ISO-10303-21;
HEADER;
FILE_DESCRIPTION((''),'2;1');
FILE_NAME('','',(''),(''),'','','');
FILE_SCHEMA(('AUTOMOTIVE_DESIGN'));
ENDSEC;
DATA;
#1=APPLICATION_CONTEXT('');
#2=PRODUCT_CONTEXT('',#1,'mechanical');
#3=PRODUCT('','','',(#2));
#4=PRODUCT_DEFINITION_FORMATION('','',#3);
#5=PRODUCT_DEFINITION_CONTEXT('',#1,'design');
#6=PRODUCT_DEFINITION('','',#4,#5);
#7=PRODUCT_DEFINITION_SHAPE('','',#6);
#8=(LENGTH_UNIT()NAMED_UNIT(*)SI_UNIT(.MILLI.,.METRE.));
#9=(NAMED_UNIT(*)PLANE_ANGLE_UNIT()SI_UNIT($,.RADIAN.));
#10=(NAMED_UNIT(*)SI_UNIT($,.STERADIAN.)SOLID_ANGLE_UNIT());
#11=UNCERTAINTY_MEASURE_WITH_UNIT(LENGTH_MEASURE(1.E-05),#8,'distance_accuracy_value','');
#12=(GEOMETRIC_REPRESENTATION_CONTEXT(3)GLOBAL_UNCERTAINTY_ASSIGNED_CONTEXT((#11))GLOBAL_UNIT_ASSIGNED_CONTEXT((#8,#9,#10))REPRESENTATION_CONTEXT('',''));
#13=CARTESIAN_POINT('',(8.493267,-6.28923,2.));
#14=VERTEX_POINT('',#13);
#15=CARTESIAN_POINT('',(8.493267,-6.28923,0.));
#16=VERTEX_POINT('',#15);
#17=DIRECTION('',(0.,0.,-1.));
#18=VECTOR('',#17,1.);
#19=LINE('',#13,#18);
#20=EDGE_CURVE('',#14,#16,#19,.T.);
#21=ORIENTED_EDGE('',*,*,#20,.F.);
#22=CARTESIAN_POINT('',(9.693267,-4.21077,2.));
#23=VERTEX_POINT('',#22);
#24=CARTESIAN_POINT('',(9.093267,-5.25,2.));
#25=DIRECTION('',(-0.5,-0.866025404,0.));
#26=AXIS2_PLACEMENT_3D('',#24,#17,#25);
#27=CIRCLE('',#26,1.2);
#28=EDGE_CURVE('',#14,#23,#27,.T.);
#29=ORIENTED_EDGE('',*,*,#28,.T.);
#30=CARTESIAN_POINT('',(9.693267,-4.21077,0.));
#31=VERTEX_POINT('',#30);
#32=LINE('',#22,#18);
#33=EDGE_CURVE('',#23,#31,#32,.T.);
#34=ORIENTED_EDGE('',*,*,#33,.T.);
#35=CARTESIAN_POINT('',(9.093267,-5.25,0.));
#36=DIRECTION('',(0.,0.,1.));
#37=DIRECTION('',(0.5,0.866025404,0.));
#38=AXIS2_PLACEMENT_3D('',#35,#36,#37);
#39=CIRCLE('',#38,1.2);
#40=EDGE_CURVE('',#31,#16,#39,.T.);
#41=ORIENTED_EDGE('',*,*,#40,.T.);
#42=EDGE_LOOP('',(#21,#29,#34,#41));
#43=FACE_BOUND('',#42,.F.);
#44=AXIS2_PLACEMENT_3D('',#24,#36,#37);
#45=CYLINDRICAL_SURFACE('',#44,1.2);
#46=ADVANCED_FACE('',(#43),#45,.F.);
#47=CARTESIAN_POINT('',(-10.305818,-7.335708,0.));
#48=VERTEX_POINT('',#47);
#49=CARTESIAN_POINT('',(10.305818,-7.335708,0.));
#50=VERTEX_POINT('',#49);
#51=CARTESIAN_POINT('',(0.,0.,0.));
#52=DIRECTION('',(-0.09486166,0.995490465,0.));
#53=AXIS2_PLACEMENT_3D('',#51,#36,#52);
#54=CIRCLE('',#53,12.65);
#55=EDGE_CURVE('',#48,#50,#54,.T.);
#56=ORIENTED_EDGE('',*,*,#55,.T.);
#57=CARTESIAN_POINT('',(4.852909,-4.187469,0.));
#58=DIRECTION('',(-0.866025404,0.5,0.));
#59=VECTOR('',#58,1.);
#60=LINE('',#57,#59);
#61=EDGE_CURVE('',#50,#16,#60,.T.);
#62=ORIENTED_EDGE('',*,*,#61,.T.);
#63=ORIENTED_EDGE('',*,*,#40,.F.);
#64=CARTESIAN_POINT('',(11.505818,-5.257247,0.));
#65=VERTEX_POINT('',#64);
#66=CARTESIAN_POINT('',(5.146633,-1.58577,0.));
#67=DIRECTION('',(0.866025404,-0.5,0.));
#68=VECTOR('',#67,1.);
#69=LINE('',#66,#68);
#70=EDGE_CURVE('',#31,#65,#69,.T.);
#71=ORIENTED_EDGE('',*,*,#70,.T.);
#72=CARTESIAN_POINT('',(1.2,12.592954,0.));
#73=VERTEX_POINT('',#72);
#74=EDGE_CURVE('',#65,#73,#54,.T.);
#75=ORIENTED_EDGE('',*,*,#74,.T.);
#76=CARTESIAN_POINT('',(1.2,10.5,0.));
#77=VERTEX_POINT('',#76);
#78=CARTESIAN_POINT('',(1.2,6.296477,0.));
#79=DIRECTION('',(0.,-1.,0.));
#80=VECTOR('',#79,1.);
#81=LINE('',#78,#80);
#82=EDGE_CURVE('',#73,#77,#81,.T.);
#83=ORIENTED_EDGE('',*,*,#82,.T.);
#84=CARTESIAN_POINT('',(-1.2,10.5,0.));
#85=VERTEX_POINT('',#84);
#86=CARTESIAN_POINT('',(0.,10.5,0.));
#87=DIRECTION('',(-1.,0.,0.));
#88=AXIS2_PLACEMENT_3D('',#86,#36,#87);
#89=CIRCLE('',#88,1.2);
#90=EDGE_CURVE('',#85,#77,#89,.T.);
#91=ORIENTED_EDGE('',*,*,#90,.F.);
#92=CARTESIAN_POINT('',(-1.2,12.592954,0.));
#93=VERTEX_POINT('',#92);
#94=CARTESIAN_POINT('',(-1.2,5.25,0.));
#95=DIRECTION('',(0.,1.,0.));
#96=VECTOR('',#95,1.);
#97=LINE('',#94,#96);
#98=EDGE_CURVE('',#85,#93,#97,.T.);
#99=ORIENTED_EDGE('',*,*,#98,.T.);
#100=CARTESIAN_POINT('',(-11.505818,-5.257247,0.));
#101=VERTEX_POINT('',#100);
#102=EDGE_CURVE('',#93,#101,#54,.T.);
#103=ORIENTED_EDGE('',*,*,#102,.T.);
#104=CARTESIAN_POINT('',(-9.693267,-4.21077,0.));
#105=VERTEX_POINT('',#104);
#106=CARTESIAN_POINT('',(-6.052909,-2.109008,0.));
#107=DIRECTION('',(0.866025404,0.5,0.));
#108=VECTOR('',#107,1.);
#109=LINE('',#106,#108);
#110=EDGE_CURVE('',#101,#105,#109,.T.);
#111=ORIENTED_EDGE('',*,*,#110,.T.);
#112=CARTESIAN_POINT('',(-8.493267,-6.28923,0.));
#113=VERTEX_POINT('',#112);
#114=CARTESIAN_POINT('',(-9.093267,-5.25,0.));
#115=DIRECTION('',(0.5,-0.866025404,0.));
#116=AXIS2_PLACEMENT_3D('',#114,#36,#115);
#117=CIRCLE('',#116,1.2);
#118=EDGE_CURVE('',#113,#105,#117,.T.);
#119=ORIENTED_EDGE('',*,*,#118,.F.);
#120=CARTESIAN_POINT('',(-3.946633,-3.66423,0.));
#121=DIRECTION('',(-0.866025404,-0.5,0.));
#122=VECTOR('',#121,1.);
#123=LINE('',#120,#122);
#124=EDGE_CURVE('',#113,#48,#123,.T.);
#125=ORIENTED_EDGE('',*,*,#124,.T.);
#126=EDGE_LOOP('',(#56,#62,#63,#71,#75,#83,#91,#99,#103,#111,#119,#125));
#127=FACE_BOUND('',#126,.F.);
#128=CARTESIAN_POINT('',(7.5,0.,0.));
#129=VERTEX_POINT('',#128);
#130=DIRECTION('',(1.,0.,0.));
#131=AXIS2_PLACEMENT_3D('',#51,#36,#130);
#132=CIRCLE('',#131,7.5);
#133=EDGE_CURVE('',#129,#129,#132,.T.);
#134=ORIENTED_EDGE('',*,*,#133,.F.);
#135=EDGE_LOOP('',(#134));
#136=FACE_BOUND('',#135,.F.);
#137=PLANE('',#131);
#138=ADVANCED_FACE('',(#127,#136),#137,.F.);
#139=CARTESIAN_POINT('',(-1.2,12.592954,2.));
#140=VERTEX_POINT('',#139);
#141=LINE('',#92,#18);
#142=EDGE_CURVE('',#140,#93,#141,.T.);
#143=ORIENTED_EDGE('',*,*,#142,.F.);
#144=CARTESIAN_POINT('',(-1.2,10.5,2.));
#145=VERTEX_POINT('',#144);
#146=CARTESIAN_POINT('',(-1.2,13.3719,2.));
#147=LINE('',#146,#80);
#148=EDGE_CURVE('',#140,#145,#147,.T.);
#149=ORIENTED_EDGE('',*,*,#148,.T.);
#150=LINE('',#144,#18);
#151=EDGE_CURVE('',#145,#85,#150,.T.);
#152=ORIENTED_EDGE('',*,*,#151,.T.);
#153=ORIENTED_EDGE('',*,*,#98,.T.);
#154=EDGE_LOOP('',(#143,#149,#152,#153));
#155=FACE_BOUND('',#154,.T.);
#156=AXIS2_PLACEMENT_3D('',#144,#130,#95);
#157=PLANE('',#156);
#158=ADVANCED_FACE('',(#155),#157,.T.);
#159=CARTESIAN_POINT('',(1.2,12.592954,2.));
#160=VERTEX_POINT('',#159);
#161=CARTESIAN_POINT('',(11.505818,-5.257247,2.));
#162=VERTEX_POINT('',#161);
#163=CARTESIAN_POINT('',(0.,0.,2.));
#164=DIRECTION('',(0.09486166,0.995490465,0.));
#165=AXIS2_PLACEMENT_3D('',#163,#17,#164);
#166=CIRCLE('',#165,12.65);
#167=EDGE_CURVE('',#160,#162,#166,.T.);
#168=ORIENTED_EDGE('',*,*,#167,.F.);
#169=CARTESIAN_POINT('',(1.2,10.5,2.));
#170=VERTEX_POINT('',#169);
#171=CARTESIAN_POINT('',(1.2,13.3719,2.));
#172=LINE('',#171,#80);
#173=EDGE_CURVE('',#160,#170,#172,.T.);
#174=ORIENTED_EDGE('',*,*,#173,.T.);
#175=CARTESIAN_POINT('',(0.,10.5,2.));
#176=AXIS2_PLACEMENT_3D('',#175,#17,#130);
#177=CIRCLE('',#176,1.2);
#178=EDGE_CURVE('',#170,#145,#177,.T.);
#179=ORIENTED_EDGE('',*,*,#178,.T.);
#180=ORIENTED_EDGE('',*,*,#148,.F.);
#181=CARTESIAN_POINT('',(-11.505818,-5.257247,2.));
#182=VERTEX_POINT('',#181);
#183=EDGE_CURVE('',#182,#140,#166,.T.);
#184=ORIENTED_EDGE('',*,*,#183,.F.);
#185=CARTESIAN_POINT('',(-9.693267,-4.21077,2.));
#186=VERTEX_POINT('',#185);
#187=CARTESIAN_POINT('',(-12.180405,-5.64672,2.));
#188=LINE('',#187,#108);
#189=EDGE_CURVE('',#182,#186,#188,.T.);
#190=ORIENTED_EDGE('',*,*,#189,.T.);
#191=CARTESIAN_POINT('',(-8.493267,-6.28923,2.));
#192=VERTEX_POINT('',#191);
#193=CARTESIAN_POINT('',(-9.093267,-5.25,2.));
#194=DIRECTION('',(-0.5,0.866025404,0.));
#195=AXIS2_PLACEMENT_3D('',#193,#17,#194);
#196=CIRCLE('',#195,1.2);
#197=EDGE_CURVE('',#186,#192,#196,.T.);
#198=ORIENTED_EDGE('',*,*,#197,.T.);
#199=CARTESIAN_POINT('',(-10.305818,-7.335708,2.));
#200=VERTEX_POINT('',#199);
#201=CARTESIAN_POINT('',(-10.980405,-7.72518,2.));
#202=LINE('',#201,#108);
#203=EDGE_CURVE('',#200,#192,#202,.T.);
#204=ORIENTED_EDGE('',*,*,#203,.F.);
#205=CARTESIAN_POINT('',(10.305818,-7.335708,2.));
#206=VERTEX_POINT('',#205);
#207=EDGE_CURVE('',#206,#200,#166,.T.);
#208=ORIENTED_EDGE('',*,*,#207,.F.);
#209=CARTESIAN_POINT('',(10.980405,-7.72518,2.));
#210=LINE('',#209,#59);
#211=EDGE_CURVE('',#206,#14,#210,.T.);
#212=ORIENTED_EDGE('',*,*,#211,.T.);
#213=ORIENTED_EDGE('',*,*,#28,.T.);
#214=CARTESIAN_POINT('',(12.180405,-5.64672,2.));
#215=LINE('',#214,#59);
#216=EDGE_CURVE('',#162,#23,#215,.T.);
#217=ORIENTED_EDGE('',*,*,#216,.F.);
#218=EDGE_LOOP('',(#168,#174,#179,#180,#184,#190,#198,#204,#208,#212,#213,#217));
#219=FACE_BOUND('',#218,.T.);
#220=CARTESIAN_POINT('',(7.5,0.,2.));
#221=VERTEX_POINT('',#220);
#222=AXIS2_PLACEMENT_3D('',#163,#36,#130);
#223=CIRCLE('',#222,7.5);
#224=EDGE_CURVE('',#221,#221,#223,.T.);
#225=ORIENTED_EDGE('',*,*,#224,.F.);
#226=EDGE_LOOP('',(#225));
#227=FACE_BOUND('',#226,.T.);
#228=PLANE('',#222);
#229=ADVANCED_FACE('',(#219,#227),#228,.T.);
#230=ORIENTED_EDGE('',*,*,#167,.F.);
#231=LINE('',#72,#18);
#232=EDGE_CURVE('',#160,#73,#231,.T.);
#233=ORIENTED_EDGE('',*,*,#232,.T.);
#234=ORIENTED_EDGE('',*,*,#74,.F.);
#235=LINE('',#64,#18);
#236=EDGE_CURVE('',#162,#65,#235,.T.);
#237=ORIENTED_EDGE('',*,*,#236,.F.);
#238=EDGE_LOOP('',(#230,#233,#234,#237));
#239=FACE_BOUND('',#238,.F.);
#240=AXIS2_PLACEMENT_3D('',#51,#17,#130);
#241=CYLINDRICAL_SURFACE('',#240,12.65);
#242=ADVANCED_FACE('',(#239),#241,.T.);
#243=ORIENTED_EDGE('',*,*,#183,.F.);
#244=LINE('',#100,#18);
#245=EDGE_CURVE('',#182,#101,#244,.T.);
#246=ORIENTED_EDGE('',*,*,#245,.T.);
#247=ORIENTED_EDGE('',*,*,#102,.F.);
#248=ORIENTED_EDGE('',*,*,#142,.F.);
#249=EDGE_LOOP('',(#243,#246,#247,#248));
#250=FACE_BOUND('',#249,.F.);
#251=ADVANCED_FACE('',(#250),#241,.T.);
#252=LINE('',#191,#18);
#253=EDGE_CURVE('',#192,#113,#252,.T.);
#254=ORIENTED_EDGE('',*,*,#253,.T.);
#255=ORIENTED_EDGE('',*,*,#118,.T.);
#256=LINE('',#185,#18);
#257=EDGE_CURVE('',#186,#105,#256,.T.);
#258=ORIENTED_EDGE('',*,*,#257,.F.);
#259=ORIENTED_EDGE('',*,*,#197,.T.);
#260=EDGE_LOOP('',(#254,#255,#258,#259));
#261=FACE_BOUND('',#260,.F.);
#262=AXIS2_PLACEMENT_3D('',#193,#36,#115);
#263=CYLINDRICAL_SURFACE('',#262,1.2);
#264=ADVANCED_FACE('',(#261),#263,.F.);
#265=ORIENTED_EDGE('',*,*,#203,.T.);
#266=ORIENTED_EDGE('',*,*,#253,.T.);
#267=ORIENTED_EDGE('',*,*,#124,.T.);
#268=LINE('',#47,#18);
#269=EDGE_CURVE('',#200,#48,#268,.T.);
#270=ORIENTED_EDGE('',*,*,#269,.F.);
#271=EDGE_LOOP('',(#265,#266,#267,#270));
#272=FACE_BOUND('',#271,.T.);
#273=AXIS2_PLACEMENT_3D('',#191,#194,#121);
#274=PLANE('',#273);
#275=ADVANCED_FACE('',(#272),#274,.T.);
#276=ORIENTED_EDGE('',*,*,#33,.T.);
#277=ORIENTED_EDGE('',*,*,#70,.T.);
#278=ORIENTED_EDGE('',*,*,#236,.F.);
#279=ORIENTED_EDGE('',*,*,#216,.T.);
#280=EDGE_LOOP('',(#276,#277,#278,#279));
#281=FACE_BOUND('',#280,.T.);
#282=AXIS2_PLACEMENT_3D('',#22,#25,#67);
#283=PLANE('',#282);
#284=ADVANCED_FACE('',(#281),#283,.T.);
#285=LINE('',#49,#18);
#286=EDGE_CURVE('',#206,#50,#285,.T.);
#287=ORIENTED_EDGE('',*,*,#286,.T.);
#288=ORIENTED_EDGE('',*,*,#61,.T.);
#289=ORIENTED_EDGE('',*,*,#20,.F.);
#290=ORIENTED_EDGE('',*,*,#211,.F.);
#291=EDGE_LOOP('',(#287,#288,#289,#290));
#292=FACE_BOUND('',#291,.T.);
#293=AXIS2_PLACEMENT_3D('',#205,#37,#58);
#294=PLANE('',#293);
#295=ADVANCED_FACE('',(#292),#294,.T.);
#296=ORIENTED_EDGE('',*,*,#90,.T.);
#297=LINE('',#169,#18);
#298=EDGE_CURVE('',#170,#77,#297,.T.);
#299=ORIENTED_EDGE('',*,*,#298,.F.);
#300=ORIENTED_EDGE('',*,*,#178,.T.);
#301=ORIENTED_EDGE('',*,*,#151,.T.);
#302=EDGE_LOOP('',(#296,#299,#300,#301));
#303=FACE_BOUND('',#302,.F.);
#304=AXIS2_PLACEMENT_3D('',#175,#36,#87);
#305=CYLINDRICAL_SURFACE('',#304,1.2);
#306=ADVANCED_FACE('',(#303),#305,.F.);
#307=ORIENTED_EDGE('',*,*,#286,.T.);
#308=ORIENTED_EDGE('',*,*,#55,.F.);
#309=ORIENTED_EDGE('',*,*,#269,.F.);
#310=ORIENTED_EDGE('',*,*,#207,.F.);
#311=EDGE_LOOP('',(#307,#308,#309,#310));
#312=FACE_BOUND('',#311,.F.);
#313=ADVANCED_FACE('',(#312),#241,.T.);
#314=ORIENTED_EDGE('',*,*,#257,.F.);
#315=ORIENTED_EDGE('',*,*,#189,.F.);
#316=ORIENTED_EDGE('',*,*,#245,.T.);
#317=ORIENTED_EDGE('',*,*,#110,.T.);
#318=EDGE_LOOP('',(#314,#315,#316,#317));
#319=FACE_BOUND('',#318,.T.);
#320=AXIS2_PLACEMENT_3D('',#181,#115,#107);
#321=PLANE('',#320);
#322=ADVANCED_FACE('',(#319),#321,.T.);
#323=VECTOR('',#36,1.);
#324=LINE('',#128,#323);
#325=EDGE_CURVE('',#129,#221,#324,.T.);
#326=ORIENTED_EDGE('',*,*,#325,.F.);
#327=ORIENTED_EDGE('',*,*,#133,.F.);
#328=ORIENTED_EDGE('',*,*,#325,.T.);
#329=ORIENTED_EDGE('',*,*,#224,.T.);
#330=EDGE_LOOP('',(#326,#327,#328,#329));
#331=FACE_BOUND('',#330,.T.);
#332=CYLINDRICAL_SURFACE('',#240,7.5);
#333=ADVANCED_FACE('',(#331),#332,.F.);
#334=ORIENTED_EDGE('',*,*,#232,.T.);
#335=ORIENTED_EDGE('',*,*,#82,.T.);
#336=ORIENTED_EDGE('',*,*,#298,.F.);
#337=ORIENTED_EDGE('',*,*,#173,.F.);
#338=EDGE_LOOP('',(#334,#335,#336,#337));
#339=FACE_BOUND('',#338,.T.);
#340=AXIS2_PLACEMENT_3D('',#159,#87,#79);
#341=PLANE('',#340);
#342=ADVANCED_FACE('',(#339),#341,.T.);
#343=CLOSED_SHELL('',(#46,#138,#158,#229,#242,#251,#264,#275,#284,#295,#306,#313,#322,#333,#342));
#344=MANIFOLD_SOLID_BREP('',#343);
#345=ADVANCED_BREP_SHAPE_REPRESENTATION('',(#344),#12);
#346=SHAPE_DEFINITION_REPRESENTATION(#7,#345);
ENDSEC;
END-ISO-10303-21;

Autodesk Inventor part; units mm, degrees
ref_plane "YZ Plane" through (0, 0, 0) normal (1, 0, 0) x (0, 1, 0)
ref_plane "XZ Plane" through (0, 0, 0) normal (0, 1, 0) x (-1, 0, 0)
ref_plane "XY Plane" through (0, 0, 0) normal (0, 0, 1) x (1, 0, 0)
sketch "Skizze1" plane through (0, 0, 0) normal (0, 0, 1) x (1, 0, 0)
  circle A0 centre (0, 0) radius 12.65
  circle A1 centre (0, 0) radius 7.5
  dimension "d0" = 15
  dimension "d1" = 25.3
extrude "Extrusion1" add sketch "Skizze1" along normal blind 2
sketch "Skizze2" plane through (0, 0, 2) normal (0, 0, 1) x (1, 0, 0)
  circle A0 centre (0, 0) radius 12.65 projected
  circle A1 centre (0, 0) radius 7.5 projected
  arc A2 (-1.2, 10.5) -> (1.2, 10.5) centre (0, 10.5) ccw
  line L0 (-1.2, 10.5) -> (-1.2, 13.3719)
  line L1 (-1.2, 13.3719) -> (1.2, 13.3719)
  line L2 (1.2, 13.3719) -> (1.2, 10.5)
  line L3 (0, 12.65) -> (0, 7.5)
  line L4 (0, -17.8544) -> (0, 18.5762) projected
  dimension "d4" = 2.4
  dimension "d10" = 10.5
extrude "Extrusion2" cut sketch "Skizze2" against normal blind 2.4 contours L2 A2 L3 A0 | A0 L4 L1 L2 | L3 A2 L0 A0 | A0 L0 L1 L4
pattern_circular "Runde Anordnung1" count 3 over 360 about axis through (0, 0, 0) along (0, 0, 1) of "Extrusion2"
equation "\"d5\" = d4"
properties part number "P_Lagerschale_Deckel"
